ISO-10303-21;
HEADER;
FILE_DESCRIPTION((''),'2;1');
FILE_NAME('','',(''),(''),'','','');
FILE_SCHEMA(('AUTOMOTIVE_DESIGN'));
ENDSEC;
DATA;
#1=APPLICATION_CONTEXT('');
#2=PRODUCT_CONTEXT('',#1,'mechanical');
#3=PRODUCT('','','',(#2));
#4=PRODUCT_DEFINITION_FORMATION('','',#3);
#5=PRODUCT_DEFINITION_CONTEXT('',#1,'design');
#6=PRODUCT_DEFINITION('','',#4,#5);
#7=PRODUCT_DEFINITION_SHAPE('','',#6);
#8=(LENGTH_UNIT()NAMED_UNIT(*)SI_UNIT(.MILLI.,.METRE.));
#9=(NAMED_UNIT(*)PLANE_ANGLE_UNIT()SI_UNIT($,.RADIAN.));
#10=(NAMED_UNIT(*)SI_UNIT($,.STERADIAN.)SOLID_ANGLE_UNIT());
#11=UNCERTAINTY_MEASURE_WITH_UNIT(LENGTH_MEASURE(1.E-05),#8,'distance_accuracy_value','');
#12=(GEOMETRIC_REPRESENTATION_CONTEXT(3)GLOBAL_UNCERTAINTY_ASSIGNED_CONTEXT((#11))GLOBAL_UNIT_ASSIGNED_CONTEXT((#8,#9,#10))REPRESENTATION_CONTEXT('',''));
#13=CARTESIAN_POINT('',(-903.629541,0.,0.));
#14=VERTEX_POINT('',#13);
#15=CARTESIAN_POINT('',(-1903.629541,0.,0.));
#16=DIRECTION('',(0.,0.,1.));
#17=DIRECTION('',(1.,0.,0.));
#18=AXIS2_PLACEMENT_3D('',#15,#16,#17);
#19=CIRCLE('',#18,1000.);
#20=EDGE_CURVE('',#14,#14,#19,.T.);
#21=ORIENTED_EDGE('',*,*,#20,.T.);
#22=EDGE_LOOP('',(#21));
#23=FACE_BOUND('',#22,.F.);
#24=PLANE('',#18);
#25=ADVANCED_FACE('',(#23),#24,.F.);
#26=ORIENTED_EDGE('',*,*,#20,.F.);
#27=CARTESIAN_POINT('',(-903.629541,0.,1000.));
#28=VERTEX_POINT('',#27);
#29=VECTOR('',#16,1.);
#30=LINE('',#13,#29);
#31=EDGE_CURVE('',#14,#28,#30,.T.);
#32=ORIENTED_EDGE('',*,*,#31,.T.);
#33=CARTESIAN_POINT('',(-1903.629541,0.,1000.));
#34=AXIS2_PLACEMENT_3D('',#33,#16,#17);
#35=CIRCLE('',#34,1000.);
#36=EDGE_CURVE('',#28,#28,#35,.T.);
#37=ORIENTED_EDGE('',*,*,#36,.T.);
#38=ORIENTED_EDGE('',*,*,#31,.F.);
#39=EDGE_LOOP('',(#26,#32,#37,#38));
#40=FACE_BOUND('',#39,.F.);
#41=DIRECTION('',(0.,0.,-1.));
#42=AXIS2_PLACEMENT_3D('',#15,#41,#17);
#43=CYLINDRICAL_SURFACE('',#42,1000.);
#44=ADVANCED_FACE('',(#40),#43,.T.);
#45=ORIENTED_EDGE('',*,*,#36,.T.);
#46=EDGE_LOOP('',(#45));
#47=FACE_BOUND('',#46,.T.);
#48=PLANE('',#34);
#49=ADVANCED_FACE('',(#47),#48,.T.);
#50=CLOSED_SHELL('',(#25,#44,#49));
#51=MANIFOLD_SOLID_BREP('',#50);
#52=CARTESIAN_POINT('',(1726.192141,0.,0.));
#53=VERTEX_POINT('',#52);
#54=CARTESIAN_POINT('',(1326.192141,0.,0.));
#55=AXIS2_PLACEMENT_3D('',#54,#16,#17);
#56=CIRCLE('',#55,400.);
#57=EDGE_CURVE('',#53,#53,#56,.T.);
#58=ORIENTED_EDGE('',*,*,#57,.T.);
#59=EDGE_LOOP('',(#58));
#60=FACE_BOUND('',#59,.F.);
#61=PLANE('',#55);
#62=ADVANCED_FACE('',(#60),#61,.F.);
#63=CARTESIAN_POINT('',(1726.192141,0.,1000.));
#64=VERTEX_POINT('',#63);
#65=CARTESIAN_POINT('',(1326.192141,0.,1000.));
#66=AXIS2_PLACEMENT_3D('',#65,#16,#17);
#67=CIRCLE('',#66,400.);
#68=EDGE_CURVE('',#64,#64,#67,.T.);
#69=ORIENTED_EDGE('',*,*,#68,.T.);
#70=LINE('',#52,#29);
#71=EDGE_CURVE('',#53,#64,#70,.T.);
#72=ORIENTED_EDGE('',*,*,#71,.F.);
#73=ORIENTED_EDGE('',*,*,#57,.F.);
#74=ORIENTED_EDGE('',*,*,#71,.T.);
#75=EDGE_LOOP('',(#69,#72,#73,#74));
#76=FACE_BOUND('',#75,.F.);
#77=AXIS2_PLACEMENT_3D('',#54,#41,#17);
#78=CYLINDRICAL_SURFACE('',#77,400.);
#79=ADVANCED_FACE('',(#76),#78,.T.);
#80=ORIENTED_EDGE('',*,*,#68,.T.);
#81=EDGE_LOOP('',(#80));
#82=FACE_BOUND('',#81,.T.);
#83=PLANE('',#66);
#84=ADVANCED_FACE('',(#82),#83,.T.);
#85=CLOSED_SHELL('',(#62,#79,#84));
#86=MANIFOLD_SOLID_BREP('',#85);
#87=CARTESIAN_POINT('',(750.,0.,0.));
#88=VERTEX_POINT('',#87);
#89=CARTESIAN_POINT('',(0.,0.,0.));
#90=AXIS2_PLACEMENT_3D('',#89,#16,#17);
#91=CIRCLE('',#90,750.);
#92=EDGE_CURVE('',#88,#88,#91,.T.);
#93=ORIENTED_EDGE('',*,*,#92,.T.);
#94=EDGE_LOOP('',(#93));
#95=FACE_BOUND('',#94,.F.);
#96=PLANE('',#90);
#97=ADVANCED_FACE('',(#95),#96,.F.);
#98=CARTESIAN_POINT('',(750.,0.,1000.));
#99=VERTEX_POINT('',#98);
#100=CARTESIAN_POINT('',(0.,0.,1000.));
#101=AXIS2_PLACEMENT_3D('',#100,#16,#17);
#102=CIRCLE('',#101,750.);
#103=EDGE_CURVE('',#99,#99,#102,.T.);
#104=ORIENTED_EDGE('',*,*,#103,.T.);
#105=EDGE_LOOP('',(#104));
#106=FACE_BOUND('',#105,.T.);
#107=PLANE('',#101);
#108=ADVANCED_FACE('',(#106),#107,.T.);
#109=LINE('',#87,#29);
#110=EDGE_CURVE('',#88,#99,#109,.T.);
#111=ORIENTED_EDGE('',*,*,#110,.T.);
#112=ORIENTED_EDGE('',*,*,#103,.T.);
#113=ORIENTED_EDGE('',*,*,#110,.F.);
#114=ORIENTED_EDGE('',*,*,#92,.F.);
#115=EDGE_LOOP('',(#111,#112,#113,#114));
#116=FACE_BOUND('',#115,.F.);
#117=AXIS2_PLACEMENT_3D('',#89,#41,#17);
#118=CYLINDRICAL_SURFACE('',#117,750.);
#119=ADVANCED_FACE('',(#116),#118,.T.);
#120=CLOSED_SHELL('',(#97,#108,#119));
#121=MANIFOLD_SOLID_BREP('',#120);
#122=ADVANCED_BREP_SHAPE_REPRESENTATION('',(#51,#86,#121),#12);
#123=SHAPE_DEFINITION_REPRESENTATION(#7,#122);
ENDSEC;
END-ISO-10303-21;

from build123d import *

# Parameters (mm, degrees)
F0_R     = 1000
F0_R_2   = 750
F0_R_3   = 400
F1_DEPTH = 1000


with BuildPart() as f1:
    # F0 (on Top) → F1 (new body)
    with BuildSketch(Plane.XY):
        with Locations((-1903.629541, 0)):
            Circle(F0_R)
        Circle(F0_R_2)
        with Locations((1326.192141, 0)):
            Circle(F0_R_3)
    extrude(amount=F1_DEPTH)


solid = f1.part
